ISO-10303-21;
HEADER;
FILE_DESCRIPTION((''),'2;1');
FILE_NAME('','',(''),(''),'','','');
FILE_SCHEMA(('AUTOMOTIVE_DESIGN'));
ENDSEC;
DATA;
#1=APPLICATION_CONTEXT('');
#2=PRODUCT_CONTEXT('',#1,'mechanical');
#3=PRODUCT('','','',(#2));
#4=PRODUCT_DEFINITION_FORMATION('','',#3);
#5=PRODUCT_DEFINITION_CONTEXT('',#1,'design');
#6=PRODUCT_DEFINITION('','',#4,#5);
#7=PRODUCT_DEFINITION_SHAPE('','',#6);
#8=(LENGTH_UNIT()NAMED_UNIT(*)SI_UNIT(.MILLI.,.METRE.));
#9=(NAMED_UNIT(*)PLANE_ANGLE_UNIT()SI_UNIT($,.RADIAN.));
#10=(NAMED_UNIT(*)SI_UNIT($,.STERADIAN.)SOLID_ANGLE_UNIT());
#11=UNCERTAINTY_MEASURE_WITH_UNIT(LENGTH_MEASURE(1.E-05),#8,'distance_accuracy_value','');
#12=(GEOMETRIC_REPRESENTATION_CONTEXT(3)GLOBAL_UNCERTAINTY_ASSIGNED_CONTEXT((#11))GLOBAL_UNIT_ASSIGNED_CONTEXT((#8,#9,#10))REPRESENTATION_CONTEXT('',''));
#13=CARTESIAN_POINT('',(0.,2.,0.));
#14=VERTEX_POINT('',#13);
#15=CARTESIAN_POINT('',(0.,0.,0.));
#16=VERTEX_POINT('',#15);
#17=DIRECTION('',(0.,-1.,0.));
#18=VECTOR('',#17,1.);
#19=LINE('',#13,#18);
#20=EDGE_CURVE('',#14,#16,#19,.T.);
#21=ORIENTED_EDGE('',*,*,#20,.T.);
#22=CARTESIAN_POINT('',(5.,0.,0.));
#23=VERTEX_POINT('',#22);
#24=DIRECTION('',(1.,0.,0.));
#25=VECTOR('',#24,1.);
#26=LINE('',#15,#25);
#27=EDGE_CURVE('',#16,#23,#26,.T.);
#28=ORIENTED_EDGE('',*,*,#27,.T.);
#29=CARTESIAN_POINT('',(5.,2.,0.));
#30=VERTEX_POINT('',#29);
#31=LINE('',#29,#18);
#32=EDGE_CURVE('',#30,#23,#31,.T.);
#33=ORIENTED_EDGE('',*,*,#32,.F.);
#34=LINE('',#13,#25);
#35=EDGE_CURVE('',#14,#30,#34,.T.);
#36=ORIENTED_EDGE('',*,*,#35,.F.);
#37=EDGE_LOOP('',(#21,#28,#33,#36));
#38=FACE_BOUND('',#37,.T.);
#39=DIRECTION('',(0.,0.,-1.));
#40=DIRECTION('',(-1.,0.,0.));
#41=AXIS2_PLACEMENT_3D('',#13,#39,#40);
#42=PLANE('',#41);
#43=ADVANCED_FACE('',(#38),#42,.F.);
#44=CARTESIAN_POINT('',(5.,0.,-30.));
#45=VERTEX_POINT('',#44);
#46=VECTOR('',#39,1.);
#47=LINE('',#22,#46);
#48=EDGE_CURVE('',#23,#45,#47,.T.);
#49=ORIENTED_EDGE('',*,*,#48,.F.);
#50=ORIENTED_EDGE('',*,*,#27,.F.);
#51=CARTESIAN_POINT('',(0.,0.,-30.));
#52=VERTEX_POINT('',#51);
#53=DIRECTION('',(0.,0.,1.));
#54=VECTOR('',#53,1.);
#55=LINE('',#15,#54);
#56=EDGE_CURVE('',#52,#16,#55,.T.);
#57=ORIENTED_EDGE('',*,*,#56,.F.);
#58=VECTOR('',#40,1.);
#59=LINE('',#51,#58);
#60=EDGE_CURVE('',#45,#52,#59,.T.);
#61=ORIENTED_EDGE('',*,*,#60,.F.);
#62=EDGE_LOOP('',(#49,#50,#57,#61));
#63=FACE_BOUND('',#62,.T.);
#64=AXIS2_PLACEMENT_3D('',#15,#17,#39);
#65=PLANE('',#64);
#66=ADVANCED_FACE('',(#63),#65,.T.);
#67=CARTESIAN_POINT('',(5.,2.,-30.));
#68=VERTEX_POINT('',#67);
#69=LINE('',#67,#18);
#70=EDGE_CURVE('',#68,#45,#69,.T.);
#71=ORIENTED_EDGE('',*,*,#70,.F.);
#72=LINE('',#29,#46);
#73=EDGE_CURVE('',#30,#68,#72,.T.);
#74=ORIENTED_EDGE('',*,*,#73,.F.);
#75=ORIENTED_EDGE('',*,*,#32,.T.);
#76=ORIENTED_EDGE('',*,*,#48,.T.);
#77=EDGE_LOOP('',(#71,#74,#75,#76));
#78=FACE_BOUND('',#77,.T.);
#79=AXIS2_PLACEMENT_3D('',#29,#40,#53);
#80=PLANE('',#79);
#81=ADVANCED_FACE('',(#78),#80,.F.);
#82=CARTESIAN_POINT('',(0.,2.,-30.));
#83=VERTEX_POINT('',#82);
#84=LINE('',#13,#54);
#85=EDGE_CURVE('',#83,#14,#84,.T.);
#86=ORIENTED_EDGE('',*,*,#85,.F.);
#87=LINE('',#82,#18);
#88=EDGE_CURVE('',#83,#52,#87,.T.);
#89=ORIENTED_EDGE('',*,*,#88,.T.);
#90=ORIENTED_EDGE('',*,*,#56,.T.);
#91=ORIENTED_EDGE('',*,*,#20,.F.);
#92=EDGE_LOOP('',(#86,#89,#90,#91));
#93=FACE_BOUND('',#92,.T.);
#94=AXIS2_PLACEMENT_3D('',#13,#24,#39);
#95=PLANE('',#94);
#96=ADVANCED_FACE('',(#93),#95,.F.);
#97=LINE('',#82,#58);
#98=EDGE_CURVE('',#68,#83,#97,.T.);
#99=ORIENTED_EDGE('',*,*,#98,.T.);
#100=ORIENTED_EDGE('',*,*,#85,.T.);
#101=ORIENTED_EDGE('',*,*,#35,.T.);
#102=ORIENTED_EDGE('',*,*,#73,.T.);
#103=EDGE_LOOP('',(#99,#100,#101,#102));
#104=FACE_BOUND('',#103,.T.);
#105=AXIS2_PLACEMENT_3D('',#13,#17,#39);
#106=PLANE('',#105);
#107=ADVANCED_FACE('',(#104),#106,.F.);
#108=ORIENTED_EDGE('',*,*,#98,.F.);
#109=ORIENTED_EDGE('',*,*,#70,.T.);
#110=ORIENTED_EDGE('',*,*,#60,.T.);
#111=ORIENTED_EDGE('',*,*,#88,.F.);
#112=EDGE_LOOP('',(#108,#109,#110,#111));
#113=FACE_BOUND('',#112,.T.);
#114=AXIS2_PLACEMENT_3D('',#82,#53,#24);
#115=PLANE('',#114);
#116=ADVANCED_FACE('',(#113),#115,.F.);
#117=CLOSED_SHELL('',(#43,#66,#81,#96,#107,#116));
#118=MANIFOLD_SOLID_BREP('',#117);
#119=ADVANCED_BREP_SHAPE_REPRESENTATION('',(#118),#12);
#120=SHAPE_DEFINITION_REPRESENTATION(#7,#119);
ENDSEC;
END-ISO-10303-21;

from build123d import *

# Parameters (mm, degrees)
SKETCH1_W           = 5
SKETCH1_H           = 30
BOSS_EXTRUDE1_DEPTH = 2


with BuildPart() as part:
    # Sketch1 → Boss-Extrude1 (new body)
    with BuildSketch(Plane(origin=(0, 0, 0), x_dir=(1, 0, 0), z_dir=(0, 1, 0))):
        with Locations((2.5, 15)):
            Rectangle(SKETCH1_W, SKETCH1_H)
    extrude(amount=BOSS_EXTRUDE1_DEPTH)


solid = part.part
